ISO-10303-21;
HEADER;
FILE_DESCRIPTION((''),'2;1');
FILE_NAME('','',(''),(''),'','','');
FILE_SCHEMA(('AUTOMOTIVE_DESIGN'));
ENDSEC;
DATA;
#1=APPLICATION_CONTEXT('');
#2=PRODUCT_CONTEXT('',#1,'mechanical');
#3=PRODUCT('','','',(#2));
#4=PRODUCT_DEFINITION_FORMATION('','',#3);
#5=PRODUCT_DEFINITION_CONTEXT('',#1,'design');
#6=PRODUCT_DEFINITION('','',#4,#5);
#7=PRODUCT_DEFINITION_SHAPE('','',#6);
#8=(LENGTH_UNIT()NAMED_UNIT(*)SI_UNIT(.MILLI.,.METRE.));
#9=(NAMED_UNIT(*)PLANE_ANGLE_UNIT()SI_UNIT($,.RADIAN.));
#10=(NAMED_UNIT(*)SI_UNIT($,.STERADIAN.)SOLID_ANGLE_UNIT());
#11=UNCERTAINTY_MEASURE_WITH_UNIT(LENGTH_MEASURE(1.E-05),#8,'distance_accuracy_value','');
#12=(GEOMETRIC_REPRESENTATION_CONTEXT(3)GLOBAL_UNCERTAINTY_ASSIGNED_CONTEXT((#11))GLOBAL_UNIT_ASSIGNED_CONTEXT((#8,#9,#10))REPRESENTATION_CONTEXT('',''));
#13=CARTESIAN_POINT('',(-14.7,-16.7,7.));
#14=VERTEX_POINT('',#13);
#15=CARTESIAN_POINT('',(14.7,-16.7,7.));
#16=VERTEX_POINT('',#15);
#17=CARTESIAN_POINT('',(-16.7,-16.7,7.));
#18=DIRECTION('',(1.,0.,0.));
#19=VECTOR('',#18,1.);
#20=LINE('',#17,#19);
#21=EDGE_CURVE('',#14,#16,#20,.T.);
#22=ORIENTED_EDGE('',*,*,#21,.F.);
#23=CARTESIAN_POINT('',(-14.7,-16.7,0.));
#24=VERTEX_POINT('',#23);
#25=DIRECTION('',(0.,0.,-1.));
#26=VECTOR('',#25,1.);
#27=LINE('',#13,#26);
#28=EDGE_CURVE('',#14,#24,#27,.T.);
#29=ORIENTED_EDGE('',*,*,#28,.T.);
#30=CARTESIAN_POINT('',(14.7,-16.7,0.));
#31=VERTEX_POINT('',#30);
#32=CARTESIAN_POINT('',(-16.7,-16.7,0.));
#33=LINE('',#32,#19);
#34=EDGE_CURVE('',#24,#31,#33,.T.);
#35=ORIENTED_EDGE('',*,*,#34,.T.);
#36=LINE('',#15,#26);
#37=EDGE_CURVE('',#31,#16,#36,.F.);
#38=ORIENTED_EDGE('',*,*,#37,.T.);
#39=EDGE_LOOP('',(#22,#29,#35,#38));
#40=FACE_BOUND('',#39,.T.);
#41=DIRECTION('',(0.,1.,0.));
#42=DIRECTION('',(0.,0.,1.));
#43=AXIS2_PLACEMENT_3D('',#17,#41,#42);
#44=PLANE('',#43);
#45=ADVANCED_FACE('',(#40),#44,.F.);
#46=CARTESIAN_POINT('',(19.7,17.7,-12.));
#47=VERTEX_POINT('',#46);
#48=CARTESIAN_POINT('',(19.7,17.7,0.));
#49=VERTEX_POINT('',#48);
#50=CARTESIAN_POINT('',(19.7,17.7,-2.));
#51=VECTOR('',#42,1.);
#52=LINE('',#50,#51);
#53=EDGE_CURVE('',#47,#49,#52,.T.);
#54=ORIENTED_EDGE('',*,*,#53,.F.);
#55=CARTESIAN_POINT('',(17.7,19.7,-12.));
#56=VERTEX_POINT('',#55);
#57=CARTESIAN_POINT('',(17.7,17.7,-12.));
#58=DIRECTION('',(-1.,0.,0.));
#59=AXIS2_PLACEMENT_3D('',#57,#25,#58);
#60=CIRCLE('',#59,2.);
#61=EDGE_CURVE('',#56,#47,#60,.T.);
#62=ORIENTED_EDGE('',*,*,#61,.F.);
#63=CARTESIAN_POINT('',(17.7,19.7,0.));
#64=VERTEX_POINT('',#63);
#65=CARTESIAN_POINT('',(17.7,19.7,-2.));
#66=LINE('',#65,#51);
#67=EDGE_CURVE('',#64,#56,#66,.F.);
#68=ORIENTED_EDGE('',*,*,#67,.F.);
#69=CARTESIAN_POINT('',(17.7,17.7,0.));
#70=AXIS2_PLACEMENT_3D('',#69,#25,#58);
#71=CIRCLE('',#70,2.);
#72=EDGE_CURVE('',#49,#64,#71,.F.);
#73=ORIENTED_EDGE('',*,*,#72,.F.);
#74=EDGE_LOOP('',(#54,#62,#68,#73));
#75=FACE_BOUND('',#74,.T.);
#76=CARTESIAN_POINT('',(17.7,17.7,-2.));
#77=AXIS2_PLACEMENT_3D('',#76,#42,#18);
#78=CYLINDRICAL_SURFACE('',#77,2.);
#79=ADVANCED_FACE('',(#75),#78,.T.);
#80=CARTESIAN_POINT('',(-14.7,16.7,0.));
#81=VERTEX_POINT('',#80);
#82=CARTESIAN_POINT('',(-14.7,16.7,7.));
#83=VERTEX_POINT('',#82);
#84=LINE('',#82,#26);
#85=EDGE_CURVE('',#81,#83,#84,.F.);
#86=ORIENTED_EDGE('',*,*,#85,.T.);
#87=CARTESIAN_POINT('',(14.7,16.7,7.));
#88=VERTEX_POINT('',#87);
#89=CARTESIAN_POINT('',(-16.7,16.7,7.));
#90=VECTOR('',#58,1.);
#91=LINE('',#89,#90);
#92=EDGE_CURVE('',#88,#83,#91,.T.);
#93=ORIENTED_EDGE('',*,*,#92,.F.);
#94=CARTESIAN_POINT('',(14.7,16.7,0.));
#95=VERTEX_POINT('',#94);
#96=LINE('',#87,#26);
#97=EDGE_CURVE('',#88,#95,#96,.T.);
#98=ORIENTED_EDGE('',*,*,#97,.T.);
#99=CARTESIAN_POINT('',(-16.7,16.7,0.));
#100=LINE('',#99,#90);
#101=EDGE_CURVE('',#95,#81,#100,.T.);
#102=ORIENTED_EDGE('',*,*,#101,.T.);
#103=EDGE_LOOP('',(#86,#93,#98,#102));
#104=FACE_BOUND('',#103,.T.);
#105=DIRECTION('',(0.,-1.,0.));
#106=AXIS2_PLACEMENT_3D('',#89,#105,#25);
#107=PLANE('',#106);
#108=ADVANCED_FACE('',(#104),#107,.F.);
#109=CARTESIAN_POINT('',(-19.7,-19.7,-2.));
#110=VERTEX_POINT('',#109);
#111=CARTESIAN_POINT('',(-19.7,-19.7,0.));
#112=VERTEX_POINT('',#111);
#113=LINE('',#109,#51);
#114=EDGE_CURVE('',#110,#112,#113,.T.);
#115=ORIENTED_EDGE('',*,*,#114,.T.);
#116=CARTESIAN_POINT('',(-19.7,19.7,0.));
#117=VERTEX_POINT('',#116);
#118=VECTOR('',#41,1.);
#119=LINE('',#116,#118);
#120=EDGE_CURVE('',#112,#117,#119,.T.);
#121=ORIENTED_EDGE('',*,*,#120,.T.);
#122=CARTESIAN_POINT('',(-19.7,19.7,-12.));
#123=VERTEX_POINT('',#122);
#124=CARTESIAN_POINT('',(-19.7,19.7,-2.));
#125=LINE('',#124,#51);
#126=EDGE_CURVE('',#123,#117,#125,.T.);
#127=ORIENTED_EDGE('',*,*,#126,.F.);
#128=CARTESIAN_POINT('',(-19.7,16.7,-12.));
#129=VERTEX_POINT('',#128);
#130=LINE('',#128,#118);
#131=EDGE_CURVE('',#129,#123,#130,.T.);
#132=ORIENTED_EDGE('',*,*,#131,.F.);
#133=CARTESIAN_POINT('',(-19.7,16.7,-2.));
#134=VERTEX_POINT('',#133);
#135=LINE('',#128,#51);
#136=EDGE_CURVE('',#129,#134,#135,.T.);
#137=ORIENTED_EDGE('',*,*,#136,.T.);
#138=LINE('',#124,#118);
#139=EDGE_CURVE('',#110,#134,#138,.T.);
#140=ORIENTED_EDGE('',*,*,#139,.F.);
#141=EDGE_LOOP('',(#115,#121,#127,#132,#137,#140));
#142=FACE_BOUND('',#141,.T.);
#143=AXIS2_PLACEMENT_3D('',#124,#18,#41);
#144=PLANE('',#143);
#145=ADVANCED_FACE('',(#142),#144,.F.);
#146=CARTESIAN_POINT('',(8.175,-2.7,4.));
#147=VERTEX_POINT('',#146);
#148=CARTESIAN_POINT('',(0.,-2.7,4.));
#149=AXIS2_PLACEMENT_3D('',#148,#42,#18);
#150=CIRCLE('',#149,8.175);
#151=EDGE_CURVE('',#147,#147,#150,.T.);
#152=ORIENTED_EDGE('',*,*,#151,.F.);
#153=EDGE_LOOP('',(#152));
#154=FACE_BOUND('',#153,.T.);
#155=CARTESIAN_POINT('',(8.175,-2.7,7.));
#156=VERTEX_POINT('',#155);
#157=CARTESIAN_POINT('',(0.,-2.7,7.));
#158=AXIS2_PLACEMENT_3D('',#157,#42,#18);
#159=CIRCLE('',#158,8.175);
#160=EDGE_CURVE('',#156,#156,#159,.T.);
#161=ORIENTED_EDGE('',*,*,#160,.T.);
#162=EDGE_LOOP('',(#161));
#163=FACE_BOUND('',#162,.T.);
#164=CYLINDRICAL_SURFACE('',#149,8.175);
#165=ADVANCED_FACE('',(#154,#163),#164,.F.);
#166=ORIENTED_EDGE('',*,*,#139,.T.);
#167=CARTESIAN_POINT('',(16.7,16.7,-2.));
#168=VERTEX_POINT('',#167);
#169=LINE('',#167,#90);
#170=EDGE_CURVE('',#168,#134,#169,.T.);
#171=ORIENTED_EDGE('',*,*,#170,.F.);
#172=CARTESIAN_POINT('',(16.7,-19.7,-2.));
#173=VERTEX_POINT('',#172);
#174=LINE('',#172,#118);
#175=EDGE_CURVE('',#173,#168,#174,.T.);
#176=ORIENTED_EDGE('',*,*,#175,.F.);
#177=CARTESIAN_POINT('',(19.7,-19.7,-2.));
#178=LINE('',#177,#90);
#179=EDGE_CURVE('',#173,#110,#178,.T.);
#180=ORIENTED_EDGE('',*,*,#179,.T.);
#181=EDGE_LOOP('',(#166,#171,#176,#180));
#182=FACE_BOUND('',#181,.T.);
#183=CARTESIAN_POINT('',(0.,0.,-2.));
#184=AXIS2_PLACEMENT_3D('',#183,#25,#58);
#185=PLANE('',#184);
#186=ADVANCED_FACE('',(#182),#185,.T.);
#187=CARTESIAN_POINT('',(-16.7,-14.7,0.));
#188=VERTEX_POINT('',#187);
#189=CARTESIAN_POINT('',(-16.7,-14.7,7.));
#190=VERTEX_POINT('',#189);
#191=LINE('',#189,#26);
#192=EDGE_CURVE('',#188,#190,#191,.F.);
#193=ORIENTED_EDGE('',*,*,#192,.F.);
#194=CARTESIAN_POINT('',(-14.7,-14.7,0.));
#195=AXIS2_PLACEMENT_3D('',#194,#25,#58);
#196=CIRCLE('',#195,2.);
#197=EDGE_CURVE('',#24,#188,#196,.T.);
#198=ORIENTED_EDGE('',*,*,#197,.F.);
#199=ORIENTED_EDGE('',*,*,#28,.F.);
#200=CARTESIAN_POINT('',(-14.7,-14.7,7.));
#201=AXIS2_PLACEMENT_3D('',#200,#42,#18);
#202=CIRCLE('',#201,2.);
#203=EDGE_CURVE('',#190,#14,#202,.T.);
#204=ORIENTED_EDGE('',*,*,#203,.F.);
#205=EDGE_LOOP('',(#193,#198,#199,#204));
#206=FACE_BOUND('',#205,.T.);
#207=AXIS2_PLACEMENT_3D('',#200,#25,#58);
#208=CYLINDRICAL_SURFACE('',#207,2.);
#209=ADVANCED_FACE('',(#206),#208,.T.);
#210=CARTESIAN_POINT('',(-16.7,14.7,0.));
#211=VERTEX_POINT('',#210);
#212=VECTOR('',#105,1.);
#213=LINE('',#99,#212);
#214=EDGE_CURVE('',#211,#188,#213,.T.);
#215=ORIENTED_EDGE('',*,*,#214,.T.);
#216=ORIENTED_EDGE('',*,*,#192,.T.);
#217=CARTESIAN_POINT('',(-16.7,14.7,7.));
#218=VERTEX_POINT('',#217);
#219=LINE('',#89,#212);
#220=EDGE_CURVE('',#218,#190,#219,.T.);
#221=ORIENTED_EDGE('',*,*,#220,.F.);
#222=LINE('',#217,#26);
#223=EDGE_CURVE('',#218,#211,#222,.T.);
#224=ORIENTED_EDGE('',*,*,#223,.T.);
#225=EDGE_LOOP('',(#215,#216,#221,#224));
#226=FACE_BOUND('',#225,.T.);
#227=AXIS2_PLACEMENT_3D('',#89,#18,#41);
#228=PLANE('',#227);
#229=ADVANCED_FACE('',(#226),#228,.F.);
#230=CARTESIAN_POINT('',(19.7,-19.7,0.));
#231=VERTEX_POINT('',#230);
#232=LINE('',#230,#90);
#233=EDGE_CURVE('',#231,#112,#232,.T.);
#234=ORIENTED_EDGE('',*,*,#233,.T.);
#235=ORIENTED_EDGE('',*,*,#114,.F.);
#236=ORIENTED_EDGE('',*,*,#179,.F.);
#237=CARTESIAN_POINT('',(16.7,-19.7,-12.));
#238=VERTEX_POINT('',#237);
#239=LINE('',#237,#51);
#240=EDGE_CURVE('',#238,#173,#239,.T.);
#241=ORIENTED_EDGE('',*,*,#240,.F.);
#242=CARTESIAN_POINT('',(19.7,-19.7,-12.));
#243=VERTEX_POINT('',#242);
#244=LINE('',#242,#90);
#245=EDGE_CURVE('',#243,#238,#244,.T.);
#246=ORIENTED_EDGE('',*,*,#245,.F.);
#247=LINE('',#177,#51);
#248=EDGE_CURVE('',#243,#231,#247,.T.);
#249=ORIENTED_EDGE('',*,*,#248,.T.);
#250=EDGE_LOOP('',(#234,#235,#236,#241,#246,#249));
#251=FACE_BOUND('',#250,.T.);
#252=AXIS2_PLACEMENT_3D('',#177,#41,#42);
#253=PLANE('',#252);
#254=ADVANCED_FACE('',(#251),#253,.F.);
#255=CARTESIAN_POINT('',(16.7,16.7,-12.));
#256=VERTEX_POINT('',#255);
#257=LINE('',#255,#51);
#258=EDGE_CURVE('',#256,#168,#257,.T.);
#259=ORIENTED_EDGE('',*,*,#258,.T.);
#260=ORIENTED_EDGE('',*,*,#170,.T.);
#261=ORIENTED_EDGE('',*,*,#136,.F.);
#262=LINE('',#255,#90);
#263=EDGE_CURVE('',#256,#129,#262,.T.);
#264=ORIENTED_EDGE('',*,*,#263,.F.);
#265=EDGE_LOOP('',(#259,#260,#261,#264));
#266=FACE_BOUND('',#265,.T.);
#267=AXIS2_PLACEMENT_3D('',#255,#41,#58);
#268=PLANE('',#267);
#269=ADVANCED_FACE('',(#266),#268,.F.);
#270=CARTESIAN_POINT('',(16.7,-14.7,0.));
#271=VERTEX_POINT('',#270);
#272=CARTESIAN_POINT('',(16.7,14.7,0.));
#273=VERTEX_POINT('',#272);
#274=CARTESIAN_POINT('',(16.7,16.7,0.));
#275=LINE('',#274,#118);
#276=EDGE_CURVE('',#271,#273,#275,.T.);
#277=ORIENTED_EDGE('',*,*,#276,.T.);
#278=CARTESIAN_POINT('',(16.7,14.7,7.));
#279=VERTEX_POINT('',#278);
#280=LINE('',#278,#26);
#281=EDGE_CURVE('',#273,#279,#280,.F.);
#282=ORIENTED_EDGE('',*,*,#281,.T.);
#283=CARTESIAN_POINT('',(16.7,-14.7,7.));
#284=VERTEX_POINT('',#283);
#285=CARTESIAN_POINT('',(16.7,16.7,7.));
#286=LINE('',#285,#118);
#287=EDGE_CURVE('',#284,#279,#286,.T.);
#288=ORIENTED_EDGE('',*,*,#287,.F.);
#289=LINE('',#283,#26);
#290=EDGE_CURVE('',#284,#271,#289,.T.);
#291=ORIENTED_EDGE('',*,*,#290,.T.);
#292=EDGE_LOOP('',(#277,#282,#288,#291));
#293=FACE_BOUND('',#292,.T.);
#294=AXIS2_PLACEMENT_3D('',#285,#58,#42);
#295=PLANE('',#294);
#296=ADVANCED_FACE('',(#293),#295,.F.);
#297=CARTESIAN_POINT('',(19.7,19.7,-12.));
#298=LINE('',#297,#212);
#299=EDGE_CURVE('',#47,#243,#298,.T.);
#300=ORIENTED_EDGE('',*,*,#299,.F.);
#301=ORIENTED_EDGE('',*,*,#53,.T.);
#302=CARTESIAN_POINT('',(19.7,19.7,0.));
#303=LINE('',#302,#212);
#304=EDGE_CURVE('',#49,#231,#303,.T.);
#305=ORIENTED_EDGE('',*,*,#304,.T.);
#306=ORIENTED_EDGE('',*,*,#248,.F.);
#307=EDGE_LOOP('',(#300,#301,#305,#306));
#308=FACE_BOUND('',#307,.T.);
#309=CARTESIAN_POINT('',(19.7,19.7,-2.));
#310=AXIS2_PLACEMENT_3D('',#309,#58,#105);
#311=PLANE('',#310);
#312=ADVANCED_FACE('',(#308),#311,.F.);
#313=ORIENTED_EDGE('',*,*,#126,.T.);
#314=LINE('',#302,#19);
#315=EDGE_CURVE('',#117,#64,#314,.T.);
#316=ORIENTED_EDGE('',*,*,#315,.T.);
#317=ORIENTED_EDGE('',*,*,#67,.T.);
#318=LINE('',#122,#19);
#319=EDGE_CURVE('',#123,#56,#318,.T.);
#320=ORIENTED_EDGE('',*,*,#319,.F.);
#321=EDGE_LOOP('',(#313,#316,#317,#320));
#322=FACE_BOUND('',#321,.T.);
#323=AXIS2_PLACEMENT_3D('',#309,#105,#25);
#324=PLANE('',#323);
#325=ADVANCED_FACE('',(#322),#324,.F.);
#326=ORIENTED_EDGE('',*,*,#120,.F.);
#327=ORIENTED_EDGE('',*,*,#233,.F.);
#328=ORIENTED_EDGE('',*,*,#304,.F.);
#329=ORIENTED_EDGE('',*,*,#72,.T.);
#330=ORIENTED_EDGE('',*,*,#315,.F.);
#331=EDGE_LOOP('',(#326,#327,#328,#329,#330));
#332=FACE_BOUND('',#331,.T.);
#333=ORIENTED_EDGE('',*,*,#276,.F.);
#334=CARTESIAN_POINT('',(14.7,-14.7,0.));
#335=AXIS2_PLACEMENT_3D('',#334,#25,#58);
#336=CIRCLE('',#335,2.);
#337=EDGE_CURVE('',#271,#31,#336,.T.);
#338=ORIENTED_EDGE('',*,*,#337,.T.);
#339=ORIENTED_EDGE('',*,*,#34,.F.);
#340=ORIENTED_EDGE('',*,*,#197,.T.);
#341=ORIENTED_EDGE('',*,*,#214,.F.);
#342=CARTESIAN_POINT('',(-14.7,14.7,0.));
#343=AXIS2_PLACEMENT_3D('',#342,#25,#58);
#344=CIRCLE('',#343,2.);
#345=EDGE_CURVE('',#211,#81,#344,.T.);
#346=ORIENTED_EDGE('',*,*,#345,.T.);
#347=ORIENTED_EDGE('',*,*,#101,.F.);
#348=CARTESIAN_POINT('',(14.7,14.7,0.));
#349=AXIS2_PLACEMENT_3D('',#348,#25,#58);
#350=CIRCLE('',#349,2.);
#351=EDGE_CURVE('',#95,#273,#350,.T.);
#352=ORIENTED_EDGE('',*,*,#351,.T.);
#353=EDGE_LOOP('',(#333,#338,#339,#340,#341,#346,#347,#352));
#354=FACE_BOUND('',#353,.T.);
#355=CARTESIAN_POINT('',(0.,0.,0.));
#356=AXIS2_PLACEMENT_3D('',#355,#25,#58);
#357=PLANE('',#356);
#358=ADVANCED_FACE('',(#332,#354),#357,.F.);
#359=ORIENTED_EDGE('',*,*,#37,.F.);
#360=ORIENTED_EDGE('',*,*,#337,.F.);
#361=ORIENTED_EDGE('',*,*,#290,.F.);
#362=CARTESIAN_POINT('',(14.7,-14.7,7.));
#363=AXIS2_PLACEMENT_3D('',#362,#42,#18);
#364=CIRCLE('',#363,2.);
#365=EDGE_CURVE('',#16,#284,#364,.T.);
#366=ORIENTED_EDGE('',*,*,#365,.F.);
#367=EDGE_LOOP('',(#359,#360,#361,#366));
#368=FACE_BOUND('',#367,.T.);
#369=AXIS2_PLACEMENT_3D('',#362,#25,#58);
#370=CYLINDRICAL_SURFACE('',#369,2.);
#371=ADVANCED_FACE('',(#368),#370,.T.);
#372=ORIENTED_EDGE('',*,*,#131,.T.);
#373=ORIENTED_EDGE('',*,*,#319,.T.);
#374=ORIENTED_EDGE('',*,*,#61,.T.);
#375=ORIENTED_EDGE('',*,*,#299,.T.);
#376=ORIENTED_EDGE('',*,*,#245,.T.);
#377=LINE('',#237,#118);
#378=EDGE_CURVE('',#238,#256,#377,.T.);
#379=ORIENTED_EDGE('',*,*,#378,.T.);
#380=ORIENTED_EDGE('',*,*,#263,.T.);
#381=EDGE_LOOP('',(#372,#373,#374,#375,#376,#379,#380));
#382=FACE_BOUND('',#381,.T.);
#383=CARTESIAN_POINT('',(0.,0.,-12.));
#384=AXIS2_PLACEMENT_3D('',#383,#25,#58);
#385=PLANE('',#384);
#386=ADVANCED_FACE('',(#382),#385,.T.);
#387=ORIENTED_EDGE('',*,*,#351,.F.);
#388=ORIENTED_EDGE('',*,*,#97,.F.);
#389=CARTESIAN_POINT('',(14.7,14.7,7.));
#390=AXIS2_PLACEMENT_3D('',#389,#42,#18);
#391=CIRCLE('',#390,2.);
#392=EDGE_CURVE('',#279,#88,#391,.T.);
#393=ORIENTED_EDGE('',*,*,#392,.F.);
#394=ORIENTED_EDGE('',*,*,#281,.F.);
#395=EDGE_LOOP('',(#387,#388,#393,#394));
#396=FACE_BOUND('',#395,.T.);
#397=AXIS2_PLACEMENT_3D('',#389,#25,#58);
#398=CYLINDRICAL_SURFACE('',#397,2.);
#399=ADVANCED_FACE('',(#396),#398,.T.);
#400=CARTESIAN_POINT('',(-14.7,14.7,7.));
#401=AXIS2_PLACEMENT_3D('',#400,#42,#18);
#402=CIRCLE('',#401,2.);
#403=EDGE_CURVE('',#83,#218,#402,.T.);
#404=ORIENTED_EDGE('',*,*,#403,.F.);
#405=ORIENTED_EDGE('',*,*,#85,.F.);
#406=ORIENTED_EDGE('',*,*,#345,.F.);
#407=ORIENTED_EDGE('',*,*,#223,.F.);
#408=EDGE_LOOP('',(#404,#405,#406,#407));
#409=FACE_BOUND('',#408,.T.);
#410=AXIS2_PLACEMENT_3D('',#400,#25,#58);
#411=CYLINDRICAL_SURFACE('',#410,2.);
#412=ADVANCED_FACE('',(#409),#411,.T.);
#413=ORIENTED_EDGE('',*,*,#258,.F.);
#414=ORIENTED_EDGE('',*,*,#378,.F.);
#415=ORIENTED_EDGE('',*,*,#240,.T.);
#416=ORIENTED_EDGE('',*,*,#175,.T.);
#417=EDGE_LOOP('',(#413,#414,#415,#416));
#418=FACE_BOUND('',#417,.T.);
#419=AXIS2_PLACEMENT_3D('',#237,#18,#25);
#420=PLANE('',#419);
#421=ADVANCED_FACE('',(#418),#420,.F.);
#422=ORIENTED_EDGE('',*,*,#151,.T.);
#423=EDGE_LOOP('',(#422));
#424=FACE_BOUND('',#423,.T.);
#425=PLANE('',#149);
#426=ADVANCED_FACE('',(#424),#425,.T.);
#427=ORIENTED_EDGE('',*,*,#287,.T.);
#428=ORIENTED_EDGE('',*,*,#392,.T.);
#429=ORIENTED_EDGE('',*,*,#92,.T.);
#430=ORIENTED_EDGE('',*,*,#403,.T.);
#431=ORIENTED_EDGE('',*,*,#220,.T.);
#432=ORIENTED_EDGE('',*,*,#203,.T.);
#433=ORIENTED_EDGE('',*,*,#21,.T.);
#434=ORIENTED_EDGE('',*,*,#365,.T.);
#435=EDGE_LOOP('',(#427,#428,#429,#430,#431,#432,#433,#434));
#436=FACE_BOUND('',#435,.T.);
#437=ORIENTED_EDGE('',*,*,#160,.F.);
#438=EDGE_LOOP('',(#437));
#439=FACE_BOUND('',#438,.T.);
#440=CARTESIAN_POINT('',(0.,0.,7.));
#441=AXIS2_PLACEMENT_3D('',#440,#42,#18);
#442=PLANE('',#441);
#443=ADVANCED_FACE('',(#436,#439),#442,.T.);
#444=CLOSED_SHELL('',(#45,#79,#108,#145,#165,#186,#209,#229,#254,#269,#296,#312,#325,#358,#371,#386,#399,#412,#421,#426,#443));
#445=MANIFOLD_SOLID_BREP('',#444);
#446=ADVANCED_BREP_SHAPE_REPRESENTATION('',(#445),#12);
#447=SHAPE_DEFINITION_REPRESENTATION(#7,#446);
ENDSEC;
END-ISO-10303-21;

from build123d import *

# Parameters (mm, degrees)
ESQUISSE1_W             = 33.4
ESQUISSE1_H             = 33.4
BOSS_EXTRU_1_DEPTH      = 7
ESQUISSE2_R             = 8.175
ENL_V_MAT_EXTRU_1_DEPTH = 3
ESQUISSE3_W             = 39.4
ESQUISSE3_H             = 39.4
BOSS_EXTRU_2_DEPTH      = 2
BOSS_EXTRU_3_DEPTH      = 10
CONG_1_R                = 2


with BuildPart() as part:
    # Esquisse1 → Boss.-Extru.1 (new body)
    with BuildSketch(Plane.XY):
        Rectangle(ESQUISSE1_W, ESQUISSE1_H)
    extrude(amount=BOSS_EXTRU_1_DEPTH)

    # Esquisse2 → Enlèv. mat.-Extru.1 (cut)
    with BuildSketch(Plane.XY.offset(7)):
        with Locations((0, -2.7)):
            Circle(ESQUISSE2_R)
    extrude(amount=-ENL_V_MAT_EXTRU_1_DEPTH, mode=Mode.SUBTRACT)

    # Esquisse3 → Boss.-Extru.2 (add)
    with BuildSketch(Plane(origin=(0, 0, 0), x_dir=(-1, 0, 0), z_dir=(0, 0, -1))):
        Rectangle(ESQUISSE3_W, ESQUISSE3_H)
    extrude(amount=BOSS_EXTRU_2_DEPTH)

    # Esquisse4 → Boss.-Extru.3 (add)
    with BuildSketch(Plane(origin=(0, 0, -2), x_dir=(-1, 0, 0), z_dir=(0, 0, -1))):
        Polygon((19.7, 19.7), (-19.7, 19.7), (-19.7, -19.7), (-16.7, -19.7), (-16.7, 16.7), (19.7, 16.7), align=None)
    extrude(amount=BOSS_EXTRU_3_DEPTH)

    # Congé1
    cong_1_edges = [part.edges().sort_by_distance(p)[0] for p in [
        (19.7, 19.7, -6),
        (-16.7, 16.7, 3.5),
        (16.7, 16.7, 3.5),
        (16.7, -16.7, 3.5),
        (-16.7, -16.7, 3.5),
    ]]
    fillet(cong_1_edges, radius=CONG_1_R)


solid = part.part
